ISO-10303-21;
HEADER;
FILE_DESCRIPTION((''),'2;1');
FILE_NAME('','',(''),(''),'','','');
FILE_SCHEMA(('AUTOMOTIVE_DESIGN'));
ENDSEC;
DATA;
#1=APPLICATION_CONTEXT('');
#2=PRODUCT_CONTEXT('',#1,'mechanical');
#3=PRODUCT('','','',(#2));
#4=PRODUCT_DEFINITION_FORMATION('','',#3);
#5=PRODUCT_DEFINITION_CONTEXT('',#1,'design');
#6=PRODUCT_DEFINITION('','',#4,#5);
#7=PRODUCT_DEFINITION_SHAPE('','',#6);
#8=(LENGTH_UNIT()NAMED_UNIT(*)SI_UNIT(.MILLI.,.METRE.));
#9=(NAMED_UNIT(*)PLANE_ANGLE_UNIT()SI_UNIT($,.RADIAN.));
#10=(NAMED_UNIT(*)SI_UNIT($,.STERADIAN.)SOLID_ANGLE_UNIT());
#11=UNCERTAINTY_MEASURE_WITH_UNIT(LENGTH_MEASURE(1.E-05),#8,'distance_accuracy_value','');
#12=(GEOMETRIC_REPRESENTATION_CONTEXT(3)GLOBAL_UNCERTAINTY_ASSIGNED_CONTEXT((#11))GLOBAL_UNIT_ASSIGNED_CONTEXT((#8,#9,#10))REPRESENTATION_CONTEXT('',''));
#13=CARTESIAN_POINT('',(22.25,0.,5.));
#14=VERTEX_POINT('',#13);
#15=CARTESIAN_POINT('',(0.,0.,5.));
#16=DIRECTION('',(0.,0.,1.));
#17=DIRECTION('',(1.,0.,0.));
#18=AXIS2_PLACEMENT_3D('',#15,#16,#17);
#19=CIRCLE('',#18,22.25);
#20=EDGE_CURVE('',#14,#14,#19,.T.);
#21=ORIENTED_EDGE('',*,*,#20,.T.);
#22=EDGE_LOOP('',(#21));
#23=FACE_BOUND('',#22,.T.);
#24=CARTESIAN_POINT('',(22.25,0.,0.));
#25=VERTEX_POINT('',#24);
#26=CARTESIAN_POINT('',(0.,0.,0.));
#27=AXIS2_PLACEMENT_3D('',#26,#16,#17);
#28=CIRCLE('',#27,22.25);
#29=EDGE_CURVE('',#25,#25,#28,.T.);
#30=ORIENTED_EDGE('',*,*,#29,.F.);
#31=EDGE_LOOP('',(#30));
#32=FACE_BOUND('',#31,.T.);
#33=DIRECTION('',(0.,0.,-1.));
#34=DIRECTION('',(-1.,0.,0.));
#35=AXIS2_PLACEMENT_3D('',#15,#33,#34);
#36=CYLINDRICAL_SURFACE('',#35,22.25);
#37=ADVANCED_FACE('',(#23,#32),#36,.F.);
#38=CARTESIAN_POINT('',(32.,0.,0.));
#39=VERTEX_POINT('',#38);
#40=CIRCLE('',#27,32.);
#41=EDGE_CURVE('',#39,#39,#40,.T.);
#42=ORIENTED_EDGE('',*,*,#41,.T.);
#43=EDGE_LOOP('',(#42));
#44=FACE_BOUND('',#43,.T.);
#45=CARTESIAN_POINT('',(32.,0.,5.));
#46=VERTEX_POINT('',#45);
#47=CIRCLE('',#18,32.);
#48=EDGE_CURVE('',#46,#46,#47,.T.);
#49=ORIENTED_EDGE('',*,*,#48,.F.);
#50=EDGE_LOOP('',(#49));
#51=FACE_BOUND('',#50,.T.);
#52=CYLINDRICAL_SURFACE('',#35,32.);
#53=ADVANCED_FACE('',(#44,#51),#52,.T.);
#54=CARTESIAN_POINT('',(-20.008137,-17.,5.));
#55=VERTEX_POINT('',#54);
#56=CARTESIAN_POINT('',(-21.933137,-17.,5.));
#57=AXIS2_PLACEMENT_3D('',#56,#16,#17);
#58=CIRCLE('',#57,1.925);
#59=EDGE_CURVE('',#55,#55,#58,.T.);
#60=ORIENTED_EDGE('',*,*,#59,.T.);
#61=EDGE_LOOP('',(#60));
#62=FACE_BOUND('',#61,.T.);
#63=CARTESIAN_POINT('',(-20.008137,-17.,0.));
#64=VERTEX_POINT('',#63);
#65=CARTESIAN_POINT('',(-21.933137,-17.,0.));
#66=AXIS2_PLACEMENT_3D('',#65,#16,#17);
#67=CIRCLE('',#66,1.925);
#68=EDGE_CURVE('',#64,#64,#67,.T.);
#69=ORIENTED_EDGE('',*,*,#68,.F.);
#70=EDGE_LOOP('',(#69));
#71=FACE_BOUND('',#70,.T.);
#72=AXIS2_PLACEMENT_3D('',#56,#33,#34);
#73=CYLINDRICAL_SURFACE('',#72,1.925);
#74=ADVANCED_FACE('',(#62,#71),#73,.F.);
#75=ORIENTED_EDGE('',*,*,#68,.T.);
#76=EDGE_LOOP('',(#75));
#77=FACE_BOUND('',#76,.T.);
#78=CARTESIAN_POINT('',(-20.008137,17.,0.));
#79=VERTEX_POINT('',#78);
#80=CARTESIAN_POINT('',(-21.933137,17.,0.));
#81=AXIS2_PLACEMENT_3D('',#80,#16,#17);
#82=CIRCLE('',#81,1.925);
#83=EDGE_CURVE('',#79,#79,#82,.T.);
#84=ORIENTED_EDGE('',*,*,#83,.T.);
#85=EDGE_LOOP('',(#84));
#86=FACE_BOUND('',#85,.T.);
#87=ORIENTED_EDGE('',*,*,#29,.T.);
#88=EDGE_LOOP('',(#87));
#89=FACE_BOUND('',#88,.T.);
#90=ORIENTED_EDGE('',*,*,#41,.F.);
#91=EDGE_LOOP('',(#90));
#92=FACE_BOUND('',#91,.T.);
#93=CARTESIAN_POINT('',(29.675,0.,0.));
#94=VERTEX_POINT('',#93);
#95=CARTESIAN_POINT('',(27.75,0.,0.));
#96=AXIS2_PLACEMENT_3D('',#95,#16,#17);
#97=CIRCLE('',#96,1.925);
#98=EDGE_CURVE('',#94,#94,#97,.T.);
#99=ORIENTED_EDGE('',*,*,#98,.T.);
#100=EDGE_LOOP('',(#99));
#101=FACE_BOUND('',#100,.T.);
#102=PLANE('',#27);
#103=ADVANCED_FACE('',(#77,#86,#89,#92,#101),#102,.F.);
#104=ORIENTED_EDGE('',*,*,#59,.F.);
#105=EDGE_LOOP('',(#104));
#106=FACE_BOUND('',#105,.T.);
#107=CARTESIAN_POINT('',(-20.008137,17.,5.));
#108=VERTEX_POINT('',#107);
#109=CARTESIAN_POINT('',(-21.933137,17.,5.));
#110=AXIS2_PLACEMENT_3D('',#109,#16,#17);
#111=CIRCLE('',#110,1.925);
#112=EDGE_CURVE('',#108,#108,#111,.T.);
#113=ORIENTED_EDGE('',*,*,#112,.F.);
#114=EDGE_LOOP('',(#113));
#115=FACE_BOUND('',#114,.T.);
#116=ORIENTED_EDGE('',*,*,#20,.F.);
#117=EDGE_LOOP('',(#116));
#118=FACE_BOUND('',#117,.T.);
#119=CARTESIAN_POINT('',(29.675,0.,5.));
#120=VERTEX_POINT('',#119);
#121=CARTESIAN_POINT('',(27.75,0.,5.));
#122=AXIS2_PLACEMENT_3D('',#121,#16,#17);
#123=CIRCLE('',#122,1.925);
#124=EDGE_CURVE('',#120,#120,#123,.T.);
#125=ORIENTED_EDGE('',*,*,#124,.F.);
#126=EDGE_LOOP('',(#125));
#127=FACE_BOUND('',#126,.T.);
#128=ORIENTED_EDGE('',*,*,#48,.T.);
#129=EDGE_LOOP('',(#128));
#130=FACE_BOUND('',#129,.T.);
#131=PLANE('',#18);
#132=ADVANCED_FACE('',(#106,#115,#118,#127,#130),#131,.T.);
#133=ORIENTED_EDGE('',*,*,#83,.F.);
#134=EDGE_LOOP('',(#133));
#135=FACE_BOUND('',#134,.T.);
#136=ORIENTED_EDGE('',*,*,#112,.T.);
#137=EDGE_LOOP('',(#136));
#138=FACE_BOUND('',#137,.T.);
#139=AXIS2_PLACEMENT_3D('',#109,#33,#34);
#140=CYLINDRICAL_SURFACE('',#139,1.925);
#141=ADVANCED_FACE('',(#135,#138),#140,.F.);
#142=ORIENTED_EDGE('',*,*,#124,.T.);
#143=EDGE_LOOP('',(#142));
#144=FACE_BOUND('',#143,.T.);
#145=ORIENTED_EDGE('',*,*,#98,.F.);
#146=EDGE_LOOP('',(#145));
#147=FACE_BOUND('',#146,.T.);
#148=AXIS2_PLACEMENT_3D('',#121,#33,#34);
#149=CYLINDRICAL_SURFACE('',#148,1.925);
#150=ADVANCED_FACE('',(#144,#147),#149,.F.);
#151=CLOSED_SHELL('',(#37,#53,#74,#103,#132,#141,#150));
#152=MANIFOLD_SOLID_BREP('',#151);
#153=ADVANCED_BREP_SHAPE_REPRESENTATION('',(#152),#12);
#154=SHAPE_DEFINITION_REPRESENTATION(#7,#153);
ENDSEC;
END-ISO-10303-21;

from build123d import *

# Parameters (mm, degrees)
ESQUISSE3_R        = 32
ESQUISSE3_R_2      = 22.25
ESQUISSE3_R_3      = 1.925
BOSS_EXTRU_1_DEPTH = 5


with BuildPart() as part:
    # Esquisse3 → Boss.-Extru.1 (new body)
    with BuildSketch(Plane.XY):
        Circle(ESQUISSE3_R)
        Circle(ESQUISSE3_R_2, mode=Mode.SUBTRACT)
        with Locations((27.75, 0)):
            Circle(ESQUISSE3_R_3, mode=Mode.SUBTRACT)
        with Locations((-21.933137031, 17)):
            Circle(ESQUISSE3_R_3, mode=Mode.SUBTRACT)
        with Locations((-21.933137031, -17)):
            Circle(ESQUISSE3_R_3, mode=Mode.SUBTRACT)
    extrude(amount=BOSS_EXTRU_1_DEPTH)


solid = part.part
